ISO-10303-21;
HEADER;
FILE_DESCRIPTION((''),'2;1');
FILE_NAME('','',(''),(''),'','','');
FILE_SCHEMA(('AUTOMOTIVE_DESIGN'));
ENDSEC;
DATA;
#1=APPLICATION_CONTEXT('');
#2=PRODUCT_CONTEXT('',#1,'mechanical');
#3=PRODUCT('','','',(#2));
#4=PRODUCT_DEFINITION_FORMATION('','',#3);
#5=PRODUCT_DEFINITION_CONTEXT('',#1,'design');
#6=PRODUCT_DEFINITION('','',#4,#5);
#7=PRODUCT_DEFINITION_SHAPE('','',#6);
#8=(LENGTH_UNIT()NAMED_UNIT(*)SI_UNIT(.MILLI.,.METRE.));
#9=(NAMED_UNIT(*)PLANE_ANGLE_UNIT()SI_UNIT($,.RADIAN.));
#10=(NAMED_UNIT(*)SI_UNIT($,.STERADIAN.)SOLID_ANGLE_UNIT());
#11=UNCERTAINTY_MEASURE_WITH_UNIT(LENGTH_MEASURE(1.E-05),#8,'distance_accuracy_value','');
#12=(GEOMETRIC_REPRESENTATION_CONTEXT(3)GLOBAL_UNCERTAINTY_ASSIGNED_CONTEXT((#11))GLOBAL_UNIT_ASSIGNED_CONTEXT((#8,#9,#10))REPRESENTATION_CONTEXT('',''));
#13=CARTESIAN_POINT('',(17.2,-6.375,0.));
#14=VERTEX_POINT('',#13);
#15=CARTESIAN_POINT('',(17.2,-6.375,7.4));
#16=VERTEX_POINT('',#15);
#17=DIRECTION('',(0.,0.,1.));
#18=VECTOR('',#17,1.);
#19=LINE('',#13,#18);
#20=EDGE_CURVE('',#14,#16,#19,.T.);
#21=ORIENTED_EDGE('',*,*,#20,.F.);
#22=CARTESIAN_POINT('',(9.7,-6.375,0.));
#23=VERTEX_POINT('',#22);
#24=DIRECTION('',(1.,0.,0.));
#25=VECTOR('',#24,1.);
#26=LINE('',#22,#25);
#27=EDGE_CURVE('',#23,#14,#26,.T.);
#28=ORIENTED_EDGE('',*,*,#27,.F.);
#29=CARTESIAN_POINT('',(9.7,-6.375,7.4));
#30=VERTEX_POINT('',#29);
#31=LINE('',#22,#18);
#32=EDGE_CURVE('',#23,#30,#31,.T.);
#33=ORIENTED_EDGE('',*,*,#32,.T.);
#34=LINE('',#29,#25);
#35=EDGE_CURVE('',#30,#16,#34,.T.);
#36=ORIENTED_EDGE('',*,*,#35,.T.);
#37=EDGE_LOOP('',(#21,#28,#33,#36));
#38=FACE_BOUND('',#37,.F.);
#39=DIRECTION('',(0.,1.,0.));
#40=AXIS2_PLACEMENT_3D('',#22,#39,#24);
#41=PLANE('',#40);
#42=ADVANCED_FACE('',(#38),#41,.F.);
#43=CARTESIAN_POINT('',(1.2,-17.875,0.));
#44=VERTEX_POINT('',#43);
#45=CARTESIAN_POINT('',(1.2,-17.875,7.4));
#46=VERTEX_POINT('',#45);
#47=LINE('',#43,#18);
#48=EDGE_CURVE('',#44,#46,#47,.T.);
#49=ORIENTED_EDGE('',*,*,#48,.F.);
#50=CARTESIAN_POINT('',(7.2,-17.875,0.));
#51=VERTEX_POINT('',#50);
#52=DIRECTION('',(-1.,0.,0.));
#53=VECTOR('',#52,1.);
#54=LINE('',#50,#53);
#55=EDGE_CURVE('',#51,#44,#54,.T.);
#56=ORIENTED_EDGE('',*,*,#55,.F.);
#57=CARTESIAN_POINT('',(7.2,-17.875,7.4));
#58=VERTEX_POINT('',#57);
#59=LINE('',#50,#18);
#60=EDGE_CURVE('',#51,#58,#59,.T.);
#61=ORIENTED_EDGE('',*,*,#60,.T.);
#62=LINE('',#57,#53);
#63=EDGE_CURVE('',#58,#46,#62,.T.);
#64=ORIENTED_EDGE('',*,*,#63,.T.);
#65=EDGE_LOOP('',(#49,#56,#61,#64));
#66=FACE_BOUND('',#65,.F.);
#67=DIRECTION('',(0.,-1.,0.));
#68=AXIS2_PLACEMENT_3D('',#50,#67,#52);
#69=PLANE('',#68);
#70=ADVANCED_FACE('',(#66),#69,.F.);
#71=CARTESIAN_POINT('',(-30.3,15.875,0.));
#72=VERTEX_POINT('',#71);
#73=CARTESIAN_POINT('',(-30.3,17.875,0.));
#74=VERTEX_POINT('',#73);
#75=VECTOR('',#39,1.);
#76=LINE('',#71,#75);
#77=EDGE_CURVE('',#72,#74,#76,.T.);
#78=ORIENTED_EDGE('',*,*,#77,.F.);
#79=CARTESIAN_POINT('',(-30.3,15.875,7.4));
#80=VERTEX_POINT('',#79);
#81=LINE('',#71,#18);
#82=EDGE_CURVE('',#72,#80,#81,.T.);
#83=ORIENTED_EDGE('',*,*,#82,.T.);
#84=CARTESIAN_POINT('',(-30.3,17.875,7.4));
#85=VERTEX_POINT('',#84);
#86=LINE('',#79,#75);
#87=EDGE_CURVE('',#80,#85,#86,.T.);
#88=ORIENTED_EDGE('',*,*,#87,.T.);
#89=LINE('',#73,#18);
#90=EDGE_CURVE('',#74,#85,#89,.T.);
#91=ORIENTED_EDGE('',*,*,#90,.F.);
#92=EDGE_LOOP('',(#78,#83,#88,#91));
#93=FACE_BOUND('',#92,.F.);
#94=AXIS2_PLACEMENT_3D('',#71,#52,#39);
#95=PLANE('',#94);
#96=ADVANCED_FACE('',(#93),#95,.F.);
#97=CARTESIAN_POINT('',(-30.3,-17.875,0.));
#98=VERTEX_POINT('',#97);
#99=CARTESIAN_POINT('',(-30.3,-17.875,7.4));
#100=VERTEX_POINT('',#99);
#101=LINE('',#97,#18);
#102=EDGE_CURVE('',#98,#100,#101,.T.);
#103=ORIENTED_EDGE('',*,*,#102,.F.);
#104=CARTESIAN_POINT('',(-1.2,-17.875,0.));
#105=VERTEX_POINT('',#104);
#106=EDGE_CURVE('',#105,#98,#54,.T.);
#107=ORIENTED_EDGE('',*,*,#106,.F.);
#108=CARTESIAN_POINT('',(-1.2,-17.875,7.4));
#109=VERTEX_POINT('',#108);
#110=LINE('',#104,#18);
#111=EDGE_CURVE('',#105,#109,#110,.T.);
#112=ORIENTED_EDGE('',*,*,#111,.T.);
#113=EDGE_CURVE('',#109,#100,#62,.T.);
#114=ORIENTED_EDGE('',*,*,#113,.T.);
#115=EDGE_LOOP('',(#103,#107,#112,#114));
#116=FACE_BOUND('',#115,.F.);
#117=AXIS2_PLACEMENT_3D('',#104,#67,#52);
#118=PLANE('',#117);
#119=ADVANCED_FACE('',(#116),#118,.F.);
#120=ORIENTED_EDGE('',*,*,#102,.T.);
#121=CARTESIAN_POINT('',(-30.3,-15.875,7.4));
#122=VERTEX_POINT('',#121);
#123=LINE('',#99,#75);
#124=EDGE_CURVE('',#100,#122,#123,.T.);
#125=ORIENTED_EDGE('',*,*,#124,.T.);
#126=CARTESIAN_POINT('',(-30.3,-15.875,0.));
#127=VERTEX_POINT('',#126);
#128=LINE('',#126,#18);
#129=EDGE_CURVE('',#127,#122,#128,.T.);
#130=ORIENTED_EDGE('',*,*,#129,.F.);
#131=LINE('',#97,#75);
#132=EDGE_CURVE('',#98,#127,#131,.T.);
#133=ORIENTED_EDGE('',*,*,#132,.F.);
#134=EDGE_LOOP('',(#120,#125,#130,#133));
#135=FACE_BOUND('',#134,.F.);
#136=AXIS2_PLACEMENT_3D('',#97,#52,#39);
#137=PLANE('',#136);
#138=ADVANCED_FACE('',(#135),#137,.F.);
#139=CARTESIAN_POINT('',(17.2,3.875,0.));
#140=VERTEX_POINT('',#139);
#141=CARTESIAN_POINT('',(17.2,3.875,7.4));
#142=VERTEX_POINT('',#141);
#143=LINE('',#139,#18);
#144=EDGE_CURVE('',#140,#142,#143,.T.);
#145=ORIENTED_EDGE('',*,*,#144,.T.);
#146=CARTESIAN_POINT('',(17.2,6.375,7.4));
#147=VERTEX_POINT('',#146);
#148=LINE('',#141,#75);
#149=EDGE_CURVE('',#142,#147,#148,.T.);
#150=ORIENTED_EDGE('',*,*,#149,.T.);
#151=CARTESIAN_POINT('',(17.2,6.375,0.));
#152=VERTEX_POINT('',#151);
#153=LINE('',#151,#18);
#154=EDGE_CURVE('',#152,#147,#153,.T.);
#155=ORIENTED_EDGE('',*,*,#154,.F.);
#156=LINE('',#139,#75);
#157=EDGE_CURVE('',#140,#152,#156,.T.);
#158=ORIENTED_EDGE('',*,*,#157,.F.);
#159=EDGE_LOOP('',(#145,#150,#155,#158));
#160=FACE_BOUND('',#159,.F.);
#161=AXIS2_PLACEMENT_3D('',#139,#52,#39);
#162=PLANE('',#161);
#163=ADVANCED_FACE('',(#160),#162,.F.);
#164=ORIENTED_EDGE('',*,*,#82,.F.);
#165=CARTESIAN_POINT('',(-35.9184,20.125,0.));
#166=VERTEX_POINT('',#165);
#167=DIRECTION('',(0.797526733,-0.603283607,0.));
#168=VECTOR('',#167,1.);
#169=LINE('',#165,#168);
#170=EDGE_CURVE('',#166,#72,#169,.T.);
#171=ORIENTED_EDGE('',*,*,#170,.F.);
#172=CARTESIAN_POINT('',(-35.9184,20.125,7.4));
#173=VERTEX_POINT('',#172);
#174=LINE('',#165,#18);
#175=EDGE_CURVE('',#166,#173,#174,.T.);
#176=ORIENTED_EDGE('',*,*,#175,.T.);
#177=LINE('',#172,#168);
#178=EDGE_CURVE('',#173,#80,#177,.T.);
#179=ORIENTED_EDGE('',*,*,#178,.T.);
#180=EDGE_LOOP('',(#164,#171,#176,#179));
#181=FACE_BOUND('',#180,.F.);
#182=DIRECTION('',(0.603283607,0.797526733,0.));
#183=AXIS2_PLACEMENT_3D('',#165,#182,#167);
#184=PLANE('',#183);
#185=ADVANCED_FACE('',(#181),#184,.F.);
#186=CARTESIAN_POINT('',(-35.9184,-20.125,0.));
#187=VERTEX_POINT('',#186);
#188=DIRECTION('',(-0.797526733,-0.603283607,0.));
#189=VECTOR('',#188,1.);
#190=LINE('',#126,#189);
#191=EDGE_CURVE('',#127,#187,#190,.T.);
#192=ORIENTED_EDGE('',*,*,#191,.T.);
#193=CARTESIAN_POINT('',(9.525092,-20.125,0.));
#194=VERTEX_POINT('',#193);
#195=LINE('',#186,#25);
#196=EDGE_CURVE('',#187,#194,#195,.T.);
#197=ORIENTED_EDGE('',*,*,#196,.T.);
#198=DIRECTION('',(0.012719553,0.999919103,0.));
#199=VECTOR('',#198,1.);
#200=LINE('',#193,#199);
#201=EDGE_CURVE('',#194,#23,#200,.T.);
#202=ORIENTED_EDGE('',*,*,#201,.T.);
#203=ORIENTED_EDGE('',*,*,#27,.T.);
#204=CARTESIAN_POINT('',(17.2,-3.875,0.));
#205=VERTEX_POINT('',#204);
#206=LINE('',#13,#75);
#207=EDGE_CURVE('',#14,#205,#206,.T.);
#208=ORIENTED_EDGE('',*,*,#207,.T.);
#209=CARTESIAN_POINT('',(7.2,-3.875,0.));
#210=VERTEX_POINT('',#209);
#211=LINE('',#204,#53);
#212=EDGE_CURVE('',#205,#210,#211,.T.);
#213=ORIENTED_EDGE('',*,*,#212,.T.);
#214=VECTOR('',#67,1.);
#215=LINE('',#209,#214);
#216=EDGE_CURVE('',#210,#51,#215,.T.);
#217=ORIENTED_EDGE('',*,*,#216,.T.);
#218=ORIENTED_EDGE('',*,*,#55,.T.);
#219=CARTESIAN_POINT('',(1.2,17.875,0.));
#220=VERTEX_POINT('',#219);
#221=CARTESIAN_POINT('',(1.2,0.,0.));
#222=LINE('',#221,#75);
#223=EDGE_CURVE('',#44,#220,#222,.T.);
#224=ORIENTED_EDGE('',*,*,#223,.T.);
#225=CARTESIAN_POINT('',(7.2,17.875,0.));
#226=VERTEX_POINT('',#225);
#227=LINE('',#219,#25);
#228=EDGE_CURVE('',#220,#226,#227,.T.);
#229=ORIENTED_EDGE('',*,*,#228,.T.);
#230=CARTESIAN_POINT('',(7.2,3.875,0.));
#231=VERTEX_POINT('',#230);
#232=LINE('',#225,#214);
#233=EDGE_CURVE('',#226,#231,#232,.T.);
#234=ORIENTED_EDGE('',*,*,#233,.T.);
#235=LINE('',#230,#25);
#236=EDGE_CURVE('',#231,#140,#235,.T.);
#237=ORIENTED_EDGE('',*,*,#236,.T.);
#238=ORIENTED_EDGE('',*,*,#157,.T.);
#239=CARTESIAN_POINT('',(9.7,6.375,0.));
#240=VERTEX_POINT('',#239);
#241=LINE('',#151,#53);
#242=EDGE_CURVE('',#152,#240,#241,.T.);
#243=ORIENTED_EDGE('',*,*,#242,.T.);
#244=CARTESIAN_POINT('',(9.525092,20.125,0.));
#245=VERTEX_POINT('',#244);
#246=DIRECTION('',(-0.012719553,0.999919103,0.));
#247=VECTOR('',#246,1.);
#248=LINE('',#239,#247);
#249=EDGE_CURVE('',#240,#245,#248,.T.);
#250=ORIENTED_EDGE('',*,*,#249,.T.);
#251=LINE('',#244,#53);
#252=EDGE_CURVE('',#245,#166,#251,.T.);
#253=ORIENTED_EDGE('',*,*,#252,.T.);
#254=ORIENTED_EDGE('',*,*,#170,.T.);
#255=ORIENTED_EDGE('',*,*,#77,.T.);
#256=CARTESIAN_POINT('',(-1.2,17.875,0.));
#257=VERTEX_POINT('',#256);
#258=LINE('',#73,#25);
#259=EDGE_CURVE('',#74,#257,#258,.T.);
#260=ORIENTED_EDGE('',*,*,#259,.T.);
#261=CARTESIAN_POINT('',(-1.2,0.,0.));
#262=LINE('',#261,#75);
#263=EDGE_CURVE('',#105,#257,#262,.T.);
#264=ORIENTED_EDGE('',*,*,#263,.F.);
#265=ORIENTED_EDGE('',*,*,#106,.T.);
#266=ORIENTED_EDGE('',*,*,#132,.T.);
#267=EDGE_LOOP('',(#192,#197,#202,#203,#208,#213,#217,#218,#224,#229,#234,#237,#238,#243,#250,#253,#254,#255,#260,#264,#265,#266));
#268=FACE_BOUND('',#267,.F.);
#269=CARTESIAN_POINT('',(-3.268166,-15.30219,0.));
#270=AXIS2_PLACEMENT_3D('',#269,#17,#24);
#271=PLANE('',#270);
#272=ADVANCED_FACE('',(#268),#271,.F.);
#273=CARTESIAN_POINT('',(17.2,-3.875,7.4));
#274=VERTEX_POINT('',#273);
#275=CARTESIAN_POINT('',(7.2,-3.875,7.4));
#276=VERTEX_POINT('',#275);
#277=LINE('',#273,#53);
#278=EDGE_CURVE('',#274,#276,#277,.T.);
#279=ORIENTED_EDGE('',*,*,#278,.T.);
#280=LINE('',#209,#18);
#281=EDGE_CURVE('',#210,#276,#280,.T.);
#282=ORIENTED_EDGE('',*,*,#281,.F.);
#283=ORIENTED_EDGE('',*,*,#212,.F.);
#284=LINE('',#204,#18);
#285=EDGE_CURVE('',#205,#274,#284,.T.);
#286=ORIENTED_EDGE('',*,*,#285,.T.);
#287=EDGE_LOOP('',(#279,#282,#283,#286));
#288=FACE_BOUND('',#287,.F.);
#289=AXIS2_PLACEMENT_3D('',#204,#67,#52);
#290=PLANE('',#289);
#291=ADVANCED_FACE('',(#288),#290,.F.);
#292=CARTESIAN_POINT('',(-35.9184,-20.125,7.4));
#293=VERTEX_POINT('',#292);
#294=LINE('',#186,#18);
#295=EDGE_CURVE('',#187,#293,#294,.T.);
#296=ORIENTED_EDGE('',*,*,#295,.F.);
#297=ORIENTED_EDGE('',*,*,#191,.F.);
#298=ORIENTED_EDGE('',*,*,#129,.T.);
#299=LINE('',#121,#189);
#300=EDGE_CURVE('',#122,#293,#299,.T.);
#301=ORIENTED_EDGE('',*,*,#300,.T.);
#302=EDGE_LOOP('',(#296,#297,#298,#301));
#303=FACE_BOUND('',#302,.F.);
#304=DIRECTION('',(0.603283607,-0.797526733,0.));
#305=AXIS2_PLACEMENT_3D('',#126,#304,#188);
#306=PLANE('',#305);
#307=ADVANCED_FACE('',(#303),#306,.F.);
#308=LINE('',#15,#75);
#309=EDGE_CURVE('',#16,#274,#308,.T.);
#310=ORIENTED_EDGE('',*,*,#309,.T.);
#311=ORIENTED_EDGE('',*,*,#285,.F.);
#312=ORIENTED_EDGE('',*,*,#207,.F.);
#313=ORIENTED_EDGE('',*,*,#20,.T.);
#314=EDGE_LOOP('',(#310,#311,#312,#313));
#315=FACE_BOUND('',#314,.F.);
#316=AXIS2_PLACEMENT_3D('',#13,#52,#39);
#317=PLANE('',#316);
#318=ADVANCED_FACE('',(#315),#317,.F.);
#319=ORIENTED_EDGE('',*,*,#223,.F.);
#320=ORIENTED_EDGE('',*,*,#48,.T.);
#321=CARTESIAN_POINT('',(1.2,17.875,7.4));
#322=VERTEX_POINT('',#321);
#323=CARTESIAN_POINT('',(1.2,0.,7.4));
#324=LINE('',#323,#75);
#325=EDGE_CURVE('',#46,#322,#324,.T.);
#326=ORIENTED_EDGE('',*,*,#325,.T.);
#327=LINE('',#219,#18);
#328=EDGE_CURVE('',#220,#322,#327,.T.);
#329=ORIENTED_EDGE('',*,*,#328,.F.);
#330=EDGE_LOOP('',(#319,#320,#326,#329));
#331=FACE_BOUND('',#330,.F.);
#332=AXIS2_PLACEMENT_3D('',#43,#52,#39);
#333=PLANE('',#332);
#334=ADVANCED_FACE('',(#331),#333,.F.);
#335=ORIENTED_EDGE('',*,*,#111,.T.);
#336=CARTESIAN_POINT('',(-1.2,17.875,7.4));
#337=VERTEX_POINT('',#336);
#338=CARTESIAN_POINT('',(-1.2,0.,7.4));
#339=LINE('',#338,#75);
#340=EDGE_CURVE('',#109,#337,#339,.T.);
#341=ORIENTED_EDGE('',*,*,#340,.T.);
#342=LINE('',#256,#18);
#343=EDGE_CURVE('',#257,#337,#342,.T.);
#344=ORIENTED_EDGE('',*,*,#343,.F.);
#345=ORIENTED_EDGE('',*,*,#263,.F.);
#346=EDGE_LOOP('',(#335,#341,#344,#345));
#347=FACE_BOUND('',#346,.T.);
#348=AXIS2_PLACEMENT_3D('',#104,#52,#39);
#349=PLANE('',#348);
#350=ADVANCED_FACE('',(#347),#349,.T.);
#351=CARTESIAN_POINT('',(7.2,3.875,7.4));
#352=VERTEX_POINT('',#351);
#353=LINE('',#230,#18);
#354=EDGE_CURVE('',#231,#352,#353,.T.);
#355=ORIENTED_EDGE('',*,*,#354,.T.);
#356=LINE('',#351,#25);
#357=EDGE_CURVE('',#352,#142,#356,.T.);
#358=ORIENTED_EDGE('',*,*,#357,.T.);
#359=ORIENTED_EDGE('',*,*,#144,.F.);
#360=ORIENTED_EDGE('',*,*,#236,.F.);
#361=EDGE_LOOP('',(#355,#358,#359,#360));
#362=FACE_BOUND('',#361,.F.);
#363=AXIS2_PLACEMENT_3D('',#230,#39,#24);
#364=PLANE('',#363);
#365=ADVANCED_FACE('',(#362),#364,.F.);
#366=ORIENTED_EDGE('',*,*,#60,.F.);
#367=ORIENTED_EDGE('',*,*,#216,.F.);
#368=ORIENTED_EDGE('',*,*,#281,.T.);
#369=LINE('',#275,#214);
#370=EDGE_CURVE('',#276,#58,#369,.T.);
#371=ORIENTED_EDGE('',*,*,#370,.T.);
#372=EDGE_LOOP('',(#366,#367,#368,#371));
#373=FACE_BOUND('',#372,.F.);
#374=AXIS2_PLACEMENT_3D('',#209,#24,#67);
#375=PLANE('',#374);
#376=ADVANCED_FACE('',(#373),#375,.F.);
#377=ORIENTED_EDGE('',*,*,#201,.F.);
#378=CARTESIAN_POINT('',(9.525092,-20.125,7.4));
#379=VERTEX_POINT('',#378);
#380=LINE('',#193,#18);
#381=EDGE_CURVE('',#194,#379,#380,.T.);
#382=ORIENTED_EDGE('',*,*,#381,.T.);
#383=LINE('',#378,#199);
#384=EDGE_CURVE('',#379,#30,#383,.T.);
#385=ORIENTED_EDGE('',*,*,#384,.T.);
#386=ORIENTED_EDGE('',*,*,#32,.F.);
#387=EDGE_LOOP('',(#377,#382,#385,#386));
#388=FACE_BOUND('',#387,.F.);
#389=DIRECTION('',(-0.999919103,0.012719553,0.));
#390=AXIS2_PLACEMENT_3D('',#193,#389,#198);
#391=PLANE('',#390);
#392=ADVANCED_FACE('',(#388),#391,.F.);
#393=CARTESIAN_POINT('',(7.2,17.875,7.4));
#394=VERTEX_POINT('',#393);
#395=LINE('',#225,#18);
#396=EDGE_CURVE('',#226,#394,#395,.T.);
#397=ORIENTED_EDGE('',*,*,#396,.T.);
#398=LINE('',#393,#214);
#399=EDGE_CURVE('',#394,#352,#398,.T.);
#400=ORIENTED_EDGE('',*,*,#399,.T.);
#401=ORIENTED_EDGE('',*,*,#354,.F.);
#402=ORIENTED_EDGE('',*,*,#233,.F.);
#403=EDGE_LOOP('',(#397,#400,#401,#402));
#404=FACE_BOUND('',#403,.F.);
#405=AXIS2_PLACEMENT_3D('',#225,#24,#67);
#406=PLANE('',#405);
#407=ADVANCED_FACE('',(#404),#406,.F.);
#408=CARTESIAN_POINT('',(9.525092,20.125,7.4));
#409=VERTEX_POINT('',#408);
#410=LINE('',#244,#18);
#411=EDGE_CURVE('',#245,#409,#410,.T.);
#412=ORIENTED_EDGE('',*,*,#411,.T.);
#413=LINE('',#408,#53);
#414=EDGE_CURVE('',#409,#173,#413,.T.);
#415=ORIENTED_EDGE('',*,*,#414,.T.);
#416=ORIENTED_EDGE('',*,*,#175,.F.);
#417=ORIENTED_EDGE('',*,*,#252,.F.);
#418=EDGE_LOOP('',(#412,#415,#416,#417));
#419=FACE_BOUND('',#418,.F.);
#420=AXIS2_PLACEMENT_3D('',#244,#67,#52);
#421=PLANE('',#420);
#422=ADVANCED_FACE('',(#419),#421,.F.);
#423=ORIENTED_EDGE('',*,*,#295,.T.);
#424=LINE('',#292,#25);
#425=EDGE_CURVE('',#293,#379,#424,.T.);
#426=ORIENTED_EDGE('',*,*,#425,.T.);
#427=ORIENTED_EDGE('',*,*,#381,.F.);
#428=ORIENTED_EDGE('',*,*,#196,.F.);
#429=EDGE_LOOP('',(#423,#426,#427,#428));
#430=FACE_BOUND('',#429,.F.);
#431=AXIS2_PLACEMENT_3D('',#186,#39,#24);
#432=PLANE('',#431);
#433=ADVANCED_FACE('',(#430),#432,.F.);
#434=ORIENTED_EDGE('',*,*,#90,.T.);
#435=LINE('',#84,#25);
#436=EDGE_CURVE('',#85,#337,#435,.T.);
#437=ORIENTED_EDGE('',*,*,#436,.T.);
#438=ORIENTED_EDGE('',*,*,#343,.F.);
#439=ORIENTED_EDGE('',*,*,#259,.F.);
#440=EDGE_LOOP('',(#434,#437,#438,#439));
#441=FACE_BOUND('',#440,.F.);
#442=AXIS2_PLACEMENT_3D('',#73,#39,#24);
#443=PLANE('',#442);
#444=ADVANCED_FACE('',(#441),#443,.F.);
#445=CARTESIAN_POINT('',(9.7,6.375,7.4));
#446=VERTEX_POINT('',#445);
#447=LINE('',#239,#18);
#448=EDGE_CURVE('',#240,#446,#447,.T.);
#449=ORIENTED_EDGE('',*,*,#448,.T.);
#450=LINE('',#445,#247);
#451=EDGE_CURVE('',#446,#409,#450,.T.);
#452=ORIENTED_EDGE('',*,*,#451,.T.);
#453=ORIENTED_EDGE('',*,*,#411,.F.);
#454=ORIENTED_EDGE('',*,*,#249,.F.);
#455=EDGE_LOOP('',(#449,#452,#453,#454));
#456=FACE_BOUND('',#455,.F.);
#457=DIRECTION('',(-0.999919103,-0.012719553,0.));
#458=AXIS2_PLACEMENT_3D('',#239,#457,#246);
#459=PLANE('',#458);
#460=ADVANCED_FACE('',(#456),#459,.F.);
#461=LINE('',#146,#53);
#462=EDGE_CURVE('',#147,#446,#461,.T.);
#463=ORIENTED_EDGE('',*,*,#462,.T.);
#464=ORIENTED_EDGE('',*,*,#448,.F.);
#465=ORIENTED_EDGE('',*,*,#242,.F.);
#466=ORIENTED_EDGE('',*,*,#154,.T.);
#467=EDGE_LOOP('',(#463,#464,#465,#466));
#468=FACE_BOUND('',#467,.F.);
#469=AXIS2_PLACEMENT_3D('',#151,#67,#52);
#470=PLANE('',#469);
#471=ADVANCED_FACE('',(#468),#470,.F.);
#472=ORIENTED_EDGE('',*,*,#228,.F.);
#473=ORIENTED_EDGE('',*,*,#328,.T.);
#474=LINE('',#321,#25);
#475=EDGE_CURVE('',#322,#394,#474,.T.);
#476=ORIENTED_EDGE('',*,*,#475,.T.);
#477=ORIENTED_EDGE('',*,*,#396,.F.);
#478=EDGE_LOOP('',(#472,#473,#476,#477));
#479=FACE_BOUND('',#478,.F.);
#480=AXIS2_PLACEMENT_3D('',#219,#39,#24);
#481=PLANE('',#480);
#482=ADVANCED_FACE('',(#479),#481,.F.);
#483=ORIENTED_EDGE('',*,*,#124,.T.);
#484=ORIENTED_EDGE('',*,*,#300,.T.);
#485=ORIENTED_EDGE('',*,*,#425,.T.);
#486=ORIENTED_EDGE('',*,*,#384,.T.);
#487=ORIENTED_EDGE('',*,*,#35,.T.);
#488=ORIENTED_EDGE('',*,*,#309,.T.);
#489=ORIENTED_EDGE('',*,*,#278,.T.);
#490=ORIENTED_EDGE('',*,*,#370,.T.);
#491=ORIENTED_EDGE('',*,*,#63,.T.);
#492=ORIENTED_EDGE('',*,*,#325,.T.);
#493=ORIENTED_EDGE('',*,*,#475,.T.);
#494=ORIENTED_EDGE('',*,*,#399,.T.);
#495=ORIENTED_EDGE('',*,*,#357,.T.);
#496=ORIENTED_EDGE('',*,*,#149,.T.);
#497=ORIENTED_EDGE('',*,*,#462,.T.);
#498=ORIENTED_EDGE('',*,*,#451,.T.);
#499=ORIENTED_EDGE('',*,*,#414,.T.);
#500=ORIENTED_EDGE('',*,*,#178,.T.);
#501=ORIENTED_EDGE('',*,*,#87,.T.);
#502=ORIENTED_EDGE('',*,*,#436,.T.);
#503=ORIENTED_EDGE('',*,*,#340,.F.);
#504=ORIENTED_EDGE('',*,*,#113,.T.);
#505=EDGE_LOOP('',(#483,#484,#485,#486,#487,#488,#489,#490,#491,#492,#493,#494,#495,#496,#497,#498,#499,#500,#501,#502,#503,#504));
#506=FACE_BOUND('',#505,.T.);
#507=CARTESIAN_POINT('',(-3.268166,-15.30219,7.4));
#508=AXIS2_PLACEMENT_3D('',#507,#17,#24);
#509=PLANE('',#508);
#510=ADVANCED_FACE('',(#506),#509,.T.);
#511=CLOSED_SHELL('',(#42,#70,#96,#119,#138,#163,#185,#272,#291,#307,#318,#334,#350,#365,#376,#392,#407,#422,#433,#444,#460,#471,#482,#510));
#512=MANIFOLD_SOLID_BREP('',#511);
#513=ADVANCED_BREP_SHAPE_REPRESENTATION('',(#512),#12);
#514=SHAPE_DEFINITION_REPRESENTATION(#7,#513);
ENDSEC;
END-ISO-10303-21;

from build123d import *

# Parameters (mm, degrees)
F0_W     = 2.4
F0_H     = 35.75
F1_DEPTH = 7.4


with BuildPart() as f1:
    # F0 (on Top) → F1 (new body)
    with BuildSketch(Plane.XY):
        Polygon((1.2, -17.875), (-1.2, -17.875), (-30.3, -17.875), (-30.3, -20.125), (9.525092, -20.125), (9.7, -6.375), (17.2, -6.375), (17.2, -3.875), (7.2, -3.875), (7.2, -15.330116), (7.2, -17.875), (4.2, -17.875), align=None)
        Rectangle(F0_W, F0_H)
        Polygon((-30.3, 17.875), (-1.2, 17.875), (1.2, 17.875), (4.2, 17.875), (7.2, 17.875), (7.2, 15.330116), (7.2, 3.875), (17.2, 3.875), (17.2, 6.375), (9.7, 6.375), (9.525092, 20.125), (-30.3, 20.125), align=None)
        Polygon((-30.3, 15.875), (-30.3, 17.875), (-30.3, 20.125), (-35.9184, 20.125), align=None)
        Polygon((-30.3, -20.125), (-30.3, -17.875), (-30.3, -15.875), (-35.9184, -20.125), align=None)
    extrude(amount=F1_DEPTH)


solid = f1.part
